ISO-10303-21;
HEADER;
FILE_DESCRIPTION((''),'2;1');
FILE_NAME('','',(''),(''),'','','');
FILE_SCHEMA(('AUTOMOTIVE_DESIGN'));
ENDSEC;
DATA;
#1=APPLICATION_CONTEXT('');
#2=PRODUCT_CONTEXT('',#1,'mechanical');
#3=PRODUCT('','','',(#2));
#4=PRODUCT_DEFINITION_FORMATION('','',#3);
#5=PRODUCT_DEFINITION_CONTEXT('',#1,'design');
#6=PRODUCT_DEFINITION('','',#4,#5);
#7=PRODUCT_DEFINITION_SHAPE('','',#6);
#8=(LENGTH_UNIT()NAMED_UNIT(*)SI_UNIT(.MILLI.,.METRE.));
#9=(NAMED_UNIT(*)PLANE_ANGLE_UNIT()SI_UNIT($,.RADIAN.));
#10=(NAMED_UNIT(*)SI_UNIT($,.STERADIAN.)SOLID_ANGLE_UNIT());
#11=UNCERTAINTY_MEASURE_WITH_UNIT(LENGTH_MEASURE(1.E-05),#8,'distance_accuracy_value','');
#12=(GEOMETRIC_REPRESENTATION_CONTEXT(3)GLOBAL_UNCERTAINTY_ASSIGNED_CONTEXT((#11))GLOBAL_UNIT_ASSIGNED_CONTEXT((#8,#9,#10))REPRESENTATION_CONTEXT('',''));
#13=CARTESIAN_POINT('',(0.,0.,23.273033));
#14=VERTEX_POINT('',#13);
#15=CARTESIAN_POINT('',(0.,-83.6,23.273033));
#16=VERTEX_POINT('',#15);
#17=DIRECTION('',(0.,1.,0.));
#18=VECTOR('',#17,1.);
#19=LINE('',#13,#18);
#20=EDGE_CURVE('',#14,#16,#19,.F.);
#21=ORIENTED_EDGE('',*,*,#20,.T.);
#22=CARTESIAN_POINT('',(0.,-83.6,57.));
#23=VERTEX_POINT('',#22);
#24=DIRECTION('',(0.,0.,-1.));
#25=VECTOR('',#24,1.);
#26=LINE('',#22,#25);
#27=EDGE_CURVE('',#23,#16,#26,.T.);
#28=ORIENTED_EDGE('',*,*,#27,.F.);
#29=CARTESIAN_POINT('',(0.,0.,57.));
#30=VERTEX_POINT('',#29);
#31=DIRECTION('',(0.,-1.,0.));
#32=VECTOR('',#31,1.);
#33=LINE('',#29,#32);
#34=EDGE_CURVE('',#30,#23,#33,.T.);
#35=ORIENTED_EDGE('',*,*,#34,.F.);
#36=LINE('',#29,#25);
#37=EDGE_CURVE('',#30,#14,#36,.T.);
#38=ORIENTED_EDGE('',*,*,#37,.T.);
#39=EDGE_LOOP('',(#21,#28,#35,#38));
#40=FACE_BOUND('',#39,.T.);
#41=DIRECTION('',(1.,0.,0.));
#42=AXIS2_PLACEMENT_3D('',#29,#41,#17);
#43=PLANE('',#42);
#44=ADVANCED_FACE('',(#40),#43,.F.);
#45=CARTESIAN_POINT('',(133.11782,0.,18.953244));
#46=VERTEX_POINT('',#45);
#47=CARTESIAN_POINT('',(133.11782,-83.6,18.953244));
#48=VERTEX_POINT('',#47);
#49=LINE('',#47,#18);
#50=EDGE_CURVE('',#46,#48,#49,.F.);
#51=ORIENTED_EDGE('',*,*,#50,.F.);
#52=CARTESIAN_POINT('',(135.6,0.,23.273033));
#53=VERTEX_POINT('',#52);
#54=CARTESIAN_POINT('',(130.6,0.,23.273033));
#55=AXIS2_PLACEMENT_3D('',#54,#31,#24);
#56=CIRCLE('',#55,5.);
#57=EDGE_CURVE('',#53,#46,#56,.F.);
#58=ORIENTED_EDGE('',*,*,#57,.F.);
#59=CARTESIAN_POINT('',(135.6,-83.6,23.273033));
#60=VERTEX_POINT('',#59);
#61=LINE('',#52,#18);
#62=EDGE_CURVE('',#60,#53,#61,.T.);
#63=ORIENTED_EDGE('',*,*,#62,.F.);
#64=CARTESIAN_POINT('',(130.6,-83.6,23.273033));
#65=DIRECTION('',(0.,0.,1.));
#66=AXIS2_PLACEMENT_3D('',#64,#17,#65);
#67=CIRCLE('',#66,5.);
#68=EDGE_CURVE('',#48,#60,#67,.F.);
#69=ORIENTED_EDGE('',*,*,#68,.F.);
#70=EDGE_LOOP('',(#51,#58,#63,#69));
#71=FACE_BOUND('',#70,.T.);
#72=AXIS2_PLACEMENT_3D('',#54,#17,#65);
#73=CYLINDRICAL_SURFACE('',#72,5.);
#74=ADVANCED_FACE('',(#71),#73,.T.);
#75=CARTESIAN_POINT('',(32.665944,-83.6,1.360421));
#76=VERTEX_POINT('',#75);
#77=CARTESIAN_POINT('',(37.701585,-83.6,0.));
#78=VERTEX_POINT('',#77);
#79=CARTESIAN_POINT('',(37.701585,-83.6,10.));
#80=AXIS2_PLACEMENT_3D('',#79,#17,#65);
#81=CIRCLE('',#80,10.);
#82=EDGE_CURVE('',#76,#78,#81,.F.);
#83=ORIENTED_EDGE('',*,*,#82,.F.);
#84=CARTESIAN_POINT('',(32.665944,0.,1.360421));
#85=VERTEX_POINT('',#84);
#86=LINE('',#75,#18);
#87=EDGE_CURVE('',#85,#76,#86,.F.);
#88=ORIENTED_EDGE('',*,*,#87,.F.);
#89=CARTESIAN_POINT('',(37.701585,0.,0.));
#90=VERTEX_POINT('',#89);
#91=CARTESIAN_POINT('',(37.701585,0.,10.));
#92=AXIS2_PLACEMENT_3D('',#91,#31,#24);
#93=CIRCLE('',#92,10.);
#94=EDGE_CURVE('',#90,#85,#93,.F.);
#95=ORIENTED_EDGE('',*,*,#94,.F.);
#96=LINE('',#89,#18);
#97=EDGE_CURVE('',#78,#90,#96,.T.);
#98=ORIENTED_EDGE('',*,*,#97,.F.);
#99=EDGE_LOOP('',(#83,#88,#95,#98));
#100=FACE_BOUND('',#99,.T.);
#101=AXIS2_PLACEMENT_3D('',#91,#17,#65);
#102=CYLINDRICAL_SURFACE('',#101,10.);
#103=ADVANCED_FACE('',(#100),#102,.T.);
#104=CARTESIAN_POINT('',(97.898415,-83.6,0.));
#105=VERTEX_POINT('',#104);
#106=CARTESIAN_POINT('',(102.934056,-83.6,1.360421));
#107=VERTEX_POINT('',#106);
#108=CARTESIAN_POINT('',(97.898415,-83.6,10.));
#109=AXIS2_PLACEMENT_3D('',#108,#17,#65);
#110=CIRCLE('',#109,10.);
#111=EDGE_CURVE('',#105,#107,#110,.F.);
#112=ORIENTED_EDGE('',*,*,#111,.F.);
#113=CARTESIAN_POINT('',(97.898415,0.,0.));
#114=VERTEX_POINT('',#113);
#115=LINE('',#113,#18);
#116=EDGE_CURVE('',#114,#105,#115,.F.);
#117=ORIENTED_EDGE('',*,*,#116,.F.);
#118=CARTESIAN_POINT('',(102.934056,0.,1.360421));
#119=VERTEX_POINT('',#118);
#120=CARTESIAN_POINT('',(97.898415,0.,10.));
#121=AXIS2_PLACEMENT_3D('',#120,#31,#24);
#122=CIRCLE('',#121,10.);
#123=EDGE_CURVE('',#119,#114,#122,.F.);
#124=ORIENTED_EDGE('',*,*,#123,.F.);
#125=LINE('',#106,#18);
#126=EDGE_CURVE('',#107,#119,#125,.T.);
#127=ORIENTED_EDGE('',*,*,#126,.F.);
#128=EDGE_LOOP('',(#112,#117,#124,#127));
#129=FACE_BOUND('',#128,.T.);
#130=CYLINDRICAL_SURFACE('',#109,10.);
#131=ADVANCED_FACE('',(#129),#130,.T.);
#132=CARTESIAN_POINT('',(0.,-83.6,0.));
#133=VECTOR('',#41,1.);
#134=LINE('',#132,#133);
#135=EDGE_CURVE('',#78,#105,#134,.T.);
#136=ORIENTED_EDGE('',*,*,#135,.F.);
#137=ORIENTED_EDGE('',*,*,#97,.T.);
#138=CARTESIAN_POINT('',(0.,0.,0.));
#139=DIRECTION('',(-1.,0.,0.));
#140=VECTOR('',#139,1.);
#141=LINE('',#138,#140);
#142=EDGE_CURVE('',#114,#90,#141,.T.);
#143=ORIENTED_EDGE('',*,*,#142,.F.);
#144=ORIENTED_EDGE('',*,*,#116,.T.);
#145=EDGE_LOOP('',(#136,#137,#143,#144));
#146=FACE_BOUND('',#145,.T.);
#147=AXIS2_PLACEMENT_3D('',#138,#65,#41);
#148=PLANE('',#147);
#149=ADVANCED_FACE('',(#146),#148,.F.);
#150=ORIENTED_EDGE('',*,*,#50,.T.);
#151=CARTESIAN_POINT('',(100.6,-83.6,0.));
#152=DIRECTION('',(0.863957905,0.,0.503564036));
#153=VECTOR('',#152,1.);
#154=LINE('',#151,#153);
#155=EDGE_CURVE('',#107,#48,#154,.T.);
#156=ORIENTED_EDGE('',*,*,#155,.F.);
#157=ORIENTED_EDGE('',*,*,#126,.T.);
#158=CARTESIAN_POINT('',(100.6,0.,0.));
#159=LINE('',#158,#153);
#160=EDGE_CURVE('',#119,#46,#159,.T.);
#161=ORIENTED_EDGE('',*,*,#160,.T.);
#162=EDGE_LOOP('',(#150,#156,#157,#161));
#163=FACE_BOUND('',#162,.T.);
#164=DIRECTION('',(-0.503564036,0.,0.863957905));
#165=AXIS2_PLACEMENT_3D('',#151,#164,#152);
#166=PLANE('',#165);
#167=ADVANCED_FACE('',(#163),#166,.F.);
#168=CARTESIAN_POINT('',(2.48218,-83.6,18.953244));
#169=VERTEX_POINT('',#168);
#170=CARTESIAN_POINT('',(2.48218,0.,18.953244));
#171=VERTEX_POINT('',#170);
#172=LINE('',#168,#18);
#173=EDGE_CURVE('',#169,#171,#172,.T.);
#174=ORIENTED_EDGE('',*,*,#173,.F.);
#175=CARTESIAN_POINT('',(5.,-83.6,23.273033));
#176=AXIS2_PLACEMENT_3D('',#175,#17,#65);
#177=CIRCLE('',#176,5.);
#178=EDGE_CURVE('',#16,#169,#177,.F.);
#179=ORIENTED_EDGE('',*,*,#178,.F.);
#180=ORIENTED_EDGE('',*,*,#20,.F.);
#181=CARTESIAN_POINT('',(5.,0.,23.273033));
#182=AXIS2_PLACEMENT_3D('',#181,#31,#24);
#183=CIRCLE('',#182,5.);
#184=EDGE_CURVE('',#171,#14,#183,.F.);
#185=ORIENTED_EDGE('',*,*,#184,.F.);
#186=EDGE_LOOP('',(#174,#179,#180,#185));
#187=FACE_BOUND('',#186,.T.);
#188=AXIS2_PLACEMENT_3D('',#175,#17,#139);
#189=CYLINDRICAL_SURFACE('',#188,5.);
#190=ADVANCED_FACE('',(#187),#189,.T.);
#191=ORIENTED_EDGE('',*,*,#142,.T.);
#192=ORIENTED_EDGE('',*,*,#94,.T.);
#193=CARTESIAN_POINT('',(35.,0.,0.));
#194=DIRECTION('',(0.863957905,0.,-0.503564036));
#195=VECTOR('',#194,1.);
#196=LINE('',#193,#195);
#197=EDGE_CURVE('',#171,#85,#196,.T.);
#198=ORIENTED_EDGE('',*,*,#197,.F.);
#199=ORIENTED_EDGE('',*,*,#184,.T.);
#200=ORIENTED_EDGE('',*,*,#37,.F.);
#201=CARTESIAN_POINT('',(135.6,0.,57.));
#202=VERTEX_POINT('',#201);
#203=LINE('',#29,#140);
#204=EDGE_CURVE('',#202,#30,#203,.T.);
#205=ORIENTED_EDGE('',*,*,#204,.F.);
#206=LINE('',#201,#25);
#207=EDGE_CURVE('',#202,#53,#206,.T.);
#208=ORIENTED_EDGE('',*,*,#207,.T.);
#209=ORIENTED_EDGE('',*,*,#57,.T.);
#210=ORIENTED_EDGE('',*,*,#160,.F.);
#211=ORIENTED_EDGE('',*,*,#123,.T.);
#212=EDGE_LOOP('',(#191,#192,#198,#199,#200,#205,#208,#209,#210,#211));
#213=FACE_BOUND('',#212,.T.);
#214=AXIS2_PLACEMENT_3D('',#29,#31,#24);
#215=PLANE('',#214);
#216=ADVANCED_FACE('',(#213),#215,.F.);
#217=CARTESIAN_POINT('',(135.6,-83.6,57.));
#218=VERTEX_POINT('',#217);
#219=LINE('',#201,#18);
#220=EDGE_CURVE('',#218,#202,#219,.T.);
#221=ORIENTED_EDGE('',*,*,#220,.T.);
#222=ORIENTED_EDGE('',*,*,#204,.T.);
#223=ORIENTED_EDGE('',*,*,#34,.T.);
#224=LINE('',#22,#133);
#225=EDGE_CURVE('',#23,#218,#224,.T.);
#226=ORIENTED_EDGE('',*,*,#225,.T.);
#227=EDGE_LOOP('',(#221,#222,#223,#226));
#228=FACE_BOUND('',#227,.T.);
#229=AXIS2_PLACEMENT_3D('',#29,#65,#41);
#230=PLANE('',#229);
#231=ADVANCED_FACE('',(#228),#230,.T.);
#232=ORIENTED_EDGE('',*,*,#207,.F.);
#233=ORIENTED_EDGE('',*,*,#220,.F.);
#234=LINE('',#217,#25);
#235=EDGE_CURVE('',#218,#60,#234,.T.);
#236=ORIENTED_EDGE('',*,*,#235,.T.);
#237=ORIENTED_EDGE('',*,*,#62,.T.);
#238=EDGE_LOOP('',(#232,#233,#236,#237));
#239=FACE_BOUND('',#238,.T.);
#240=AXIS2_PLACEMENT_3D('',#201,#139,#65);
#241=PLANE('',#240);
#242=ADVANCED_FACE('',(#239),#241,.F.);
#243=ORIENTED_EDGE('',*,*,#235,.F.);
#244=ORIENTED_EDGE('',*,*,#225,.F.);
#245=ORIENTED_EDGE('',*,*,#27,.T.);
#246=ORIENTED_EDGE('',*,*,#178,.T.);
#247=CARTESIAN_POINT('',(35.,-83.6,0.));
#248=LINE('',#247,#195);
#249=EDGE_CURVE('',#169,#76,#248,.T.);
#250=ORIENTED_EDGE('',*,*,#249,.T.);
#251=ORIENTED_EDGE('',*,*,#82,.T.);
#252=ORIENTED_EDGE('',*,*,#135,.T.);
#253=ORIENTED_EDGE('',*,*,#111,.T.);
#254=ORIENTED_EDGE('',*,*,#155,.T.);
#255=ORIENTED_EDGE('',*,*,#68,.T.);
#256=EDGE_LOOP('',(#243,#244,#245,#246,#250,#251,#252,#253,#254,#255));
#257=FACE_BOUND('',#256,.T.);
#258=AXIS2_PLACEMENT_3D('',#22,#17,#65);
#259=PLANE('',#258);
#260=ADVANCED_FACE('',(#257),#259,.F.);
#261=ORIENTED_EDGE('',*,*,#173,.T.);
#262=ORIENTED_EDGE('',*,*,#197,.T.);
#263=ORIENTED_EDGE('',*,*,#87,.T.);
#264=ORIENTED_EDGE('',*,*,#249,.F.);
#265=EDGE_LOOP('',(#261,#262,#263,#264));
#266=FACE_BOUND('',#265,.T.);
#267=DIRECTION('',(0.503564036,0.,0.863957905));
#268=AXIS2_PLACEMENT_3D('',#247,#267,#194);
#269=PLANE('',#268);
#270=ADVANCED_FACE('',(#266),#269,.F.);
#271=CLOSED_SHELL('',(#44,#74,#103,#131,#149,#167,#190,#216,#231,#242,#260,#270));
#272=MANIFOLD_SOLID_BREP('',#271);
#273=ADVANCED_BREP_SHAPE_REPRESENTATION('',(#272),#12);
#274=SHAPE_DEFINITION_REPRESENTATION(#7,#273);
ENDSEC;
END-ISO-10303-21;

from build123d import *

# Parameters (mm, degrees)
SKETCH1_W           = 135.6
SKETCH1_H           = 83.6
BOSS_EXTRUDE1_DEPTH = 57
CUT_EXTRUDE2_DEPTH  = 84.6
FILLET2_R           = 10
FILLET3_R           = 5


with BuildPart() as part:
    # Sketch1 → Boss-Extrude1 (new body)
    with BuildSketch(Plane.XY):
        with Locations((67.8, -41.8)):
            Rectangle(SKETCH1_W, SKETCH1_H)
    extrude(amount=BOSS_EXTRUDE1_DEPTH)

    # Sketch3 → Cut-Extrude2 (cut, through all)
    with BuildSketch(Plane(origin=(0, 0, 0), x_dir=(1, 0, 0), z_dir=(0, 1, 0))):
        Polygon((100.6, 0), (135.6, 0), (135.6, -20.4), align=None)
        Polygon((35, 0), (0, 0), (0, -20.4), align=None)
    extrude(amount=-CUT_EXTRUDE2_DEPTH, mode=Mode.SUBTRACT)

    # Fillet2
    fillet2_edges = [part.edges().sort_by_distance(p)[0] for p in [
        (100.6, -41.8, 0),
        (35, -41.8, 0),
    ]]
    fillet(fillet2_edges, radius=FILLET2_R)

    # Fillet3
    fillet3_edges = [part.edges().sort_by_distance(p)[0] for p in [
        (135.6, -41.8, 20.4),
        (0, -41.8, 20.4),
    ]]
    fillet(fillet3_edges, radius=FILLET3_R)


solid = part.part
